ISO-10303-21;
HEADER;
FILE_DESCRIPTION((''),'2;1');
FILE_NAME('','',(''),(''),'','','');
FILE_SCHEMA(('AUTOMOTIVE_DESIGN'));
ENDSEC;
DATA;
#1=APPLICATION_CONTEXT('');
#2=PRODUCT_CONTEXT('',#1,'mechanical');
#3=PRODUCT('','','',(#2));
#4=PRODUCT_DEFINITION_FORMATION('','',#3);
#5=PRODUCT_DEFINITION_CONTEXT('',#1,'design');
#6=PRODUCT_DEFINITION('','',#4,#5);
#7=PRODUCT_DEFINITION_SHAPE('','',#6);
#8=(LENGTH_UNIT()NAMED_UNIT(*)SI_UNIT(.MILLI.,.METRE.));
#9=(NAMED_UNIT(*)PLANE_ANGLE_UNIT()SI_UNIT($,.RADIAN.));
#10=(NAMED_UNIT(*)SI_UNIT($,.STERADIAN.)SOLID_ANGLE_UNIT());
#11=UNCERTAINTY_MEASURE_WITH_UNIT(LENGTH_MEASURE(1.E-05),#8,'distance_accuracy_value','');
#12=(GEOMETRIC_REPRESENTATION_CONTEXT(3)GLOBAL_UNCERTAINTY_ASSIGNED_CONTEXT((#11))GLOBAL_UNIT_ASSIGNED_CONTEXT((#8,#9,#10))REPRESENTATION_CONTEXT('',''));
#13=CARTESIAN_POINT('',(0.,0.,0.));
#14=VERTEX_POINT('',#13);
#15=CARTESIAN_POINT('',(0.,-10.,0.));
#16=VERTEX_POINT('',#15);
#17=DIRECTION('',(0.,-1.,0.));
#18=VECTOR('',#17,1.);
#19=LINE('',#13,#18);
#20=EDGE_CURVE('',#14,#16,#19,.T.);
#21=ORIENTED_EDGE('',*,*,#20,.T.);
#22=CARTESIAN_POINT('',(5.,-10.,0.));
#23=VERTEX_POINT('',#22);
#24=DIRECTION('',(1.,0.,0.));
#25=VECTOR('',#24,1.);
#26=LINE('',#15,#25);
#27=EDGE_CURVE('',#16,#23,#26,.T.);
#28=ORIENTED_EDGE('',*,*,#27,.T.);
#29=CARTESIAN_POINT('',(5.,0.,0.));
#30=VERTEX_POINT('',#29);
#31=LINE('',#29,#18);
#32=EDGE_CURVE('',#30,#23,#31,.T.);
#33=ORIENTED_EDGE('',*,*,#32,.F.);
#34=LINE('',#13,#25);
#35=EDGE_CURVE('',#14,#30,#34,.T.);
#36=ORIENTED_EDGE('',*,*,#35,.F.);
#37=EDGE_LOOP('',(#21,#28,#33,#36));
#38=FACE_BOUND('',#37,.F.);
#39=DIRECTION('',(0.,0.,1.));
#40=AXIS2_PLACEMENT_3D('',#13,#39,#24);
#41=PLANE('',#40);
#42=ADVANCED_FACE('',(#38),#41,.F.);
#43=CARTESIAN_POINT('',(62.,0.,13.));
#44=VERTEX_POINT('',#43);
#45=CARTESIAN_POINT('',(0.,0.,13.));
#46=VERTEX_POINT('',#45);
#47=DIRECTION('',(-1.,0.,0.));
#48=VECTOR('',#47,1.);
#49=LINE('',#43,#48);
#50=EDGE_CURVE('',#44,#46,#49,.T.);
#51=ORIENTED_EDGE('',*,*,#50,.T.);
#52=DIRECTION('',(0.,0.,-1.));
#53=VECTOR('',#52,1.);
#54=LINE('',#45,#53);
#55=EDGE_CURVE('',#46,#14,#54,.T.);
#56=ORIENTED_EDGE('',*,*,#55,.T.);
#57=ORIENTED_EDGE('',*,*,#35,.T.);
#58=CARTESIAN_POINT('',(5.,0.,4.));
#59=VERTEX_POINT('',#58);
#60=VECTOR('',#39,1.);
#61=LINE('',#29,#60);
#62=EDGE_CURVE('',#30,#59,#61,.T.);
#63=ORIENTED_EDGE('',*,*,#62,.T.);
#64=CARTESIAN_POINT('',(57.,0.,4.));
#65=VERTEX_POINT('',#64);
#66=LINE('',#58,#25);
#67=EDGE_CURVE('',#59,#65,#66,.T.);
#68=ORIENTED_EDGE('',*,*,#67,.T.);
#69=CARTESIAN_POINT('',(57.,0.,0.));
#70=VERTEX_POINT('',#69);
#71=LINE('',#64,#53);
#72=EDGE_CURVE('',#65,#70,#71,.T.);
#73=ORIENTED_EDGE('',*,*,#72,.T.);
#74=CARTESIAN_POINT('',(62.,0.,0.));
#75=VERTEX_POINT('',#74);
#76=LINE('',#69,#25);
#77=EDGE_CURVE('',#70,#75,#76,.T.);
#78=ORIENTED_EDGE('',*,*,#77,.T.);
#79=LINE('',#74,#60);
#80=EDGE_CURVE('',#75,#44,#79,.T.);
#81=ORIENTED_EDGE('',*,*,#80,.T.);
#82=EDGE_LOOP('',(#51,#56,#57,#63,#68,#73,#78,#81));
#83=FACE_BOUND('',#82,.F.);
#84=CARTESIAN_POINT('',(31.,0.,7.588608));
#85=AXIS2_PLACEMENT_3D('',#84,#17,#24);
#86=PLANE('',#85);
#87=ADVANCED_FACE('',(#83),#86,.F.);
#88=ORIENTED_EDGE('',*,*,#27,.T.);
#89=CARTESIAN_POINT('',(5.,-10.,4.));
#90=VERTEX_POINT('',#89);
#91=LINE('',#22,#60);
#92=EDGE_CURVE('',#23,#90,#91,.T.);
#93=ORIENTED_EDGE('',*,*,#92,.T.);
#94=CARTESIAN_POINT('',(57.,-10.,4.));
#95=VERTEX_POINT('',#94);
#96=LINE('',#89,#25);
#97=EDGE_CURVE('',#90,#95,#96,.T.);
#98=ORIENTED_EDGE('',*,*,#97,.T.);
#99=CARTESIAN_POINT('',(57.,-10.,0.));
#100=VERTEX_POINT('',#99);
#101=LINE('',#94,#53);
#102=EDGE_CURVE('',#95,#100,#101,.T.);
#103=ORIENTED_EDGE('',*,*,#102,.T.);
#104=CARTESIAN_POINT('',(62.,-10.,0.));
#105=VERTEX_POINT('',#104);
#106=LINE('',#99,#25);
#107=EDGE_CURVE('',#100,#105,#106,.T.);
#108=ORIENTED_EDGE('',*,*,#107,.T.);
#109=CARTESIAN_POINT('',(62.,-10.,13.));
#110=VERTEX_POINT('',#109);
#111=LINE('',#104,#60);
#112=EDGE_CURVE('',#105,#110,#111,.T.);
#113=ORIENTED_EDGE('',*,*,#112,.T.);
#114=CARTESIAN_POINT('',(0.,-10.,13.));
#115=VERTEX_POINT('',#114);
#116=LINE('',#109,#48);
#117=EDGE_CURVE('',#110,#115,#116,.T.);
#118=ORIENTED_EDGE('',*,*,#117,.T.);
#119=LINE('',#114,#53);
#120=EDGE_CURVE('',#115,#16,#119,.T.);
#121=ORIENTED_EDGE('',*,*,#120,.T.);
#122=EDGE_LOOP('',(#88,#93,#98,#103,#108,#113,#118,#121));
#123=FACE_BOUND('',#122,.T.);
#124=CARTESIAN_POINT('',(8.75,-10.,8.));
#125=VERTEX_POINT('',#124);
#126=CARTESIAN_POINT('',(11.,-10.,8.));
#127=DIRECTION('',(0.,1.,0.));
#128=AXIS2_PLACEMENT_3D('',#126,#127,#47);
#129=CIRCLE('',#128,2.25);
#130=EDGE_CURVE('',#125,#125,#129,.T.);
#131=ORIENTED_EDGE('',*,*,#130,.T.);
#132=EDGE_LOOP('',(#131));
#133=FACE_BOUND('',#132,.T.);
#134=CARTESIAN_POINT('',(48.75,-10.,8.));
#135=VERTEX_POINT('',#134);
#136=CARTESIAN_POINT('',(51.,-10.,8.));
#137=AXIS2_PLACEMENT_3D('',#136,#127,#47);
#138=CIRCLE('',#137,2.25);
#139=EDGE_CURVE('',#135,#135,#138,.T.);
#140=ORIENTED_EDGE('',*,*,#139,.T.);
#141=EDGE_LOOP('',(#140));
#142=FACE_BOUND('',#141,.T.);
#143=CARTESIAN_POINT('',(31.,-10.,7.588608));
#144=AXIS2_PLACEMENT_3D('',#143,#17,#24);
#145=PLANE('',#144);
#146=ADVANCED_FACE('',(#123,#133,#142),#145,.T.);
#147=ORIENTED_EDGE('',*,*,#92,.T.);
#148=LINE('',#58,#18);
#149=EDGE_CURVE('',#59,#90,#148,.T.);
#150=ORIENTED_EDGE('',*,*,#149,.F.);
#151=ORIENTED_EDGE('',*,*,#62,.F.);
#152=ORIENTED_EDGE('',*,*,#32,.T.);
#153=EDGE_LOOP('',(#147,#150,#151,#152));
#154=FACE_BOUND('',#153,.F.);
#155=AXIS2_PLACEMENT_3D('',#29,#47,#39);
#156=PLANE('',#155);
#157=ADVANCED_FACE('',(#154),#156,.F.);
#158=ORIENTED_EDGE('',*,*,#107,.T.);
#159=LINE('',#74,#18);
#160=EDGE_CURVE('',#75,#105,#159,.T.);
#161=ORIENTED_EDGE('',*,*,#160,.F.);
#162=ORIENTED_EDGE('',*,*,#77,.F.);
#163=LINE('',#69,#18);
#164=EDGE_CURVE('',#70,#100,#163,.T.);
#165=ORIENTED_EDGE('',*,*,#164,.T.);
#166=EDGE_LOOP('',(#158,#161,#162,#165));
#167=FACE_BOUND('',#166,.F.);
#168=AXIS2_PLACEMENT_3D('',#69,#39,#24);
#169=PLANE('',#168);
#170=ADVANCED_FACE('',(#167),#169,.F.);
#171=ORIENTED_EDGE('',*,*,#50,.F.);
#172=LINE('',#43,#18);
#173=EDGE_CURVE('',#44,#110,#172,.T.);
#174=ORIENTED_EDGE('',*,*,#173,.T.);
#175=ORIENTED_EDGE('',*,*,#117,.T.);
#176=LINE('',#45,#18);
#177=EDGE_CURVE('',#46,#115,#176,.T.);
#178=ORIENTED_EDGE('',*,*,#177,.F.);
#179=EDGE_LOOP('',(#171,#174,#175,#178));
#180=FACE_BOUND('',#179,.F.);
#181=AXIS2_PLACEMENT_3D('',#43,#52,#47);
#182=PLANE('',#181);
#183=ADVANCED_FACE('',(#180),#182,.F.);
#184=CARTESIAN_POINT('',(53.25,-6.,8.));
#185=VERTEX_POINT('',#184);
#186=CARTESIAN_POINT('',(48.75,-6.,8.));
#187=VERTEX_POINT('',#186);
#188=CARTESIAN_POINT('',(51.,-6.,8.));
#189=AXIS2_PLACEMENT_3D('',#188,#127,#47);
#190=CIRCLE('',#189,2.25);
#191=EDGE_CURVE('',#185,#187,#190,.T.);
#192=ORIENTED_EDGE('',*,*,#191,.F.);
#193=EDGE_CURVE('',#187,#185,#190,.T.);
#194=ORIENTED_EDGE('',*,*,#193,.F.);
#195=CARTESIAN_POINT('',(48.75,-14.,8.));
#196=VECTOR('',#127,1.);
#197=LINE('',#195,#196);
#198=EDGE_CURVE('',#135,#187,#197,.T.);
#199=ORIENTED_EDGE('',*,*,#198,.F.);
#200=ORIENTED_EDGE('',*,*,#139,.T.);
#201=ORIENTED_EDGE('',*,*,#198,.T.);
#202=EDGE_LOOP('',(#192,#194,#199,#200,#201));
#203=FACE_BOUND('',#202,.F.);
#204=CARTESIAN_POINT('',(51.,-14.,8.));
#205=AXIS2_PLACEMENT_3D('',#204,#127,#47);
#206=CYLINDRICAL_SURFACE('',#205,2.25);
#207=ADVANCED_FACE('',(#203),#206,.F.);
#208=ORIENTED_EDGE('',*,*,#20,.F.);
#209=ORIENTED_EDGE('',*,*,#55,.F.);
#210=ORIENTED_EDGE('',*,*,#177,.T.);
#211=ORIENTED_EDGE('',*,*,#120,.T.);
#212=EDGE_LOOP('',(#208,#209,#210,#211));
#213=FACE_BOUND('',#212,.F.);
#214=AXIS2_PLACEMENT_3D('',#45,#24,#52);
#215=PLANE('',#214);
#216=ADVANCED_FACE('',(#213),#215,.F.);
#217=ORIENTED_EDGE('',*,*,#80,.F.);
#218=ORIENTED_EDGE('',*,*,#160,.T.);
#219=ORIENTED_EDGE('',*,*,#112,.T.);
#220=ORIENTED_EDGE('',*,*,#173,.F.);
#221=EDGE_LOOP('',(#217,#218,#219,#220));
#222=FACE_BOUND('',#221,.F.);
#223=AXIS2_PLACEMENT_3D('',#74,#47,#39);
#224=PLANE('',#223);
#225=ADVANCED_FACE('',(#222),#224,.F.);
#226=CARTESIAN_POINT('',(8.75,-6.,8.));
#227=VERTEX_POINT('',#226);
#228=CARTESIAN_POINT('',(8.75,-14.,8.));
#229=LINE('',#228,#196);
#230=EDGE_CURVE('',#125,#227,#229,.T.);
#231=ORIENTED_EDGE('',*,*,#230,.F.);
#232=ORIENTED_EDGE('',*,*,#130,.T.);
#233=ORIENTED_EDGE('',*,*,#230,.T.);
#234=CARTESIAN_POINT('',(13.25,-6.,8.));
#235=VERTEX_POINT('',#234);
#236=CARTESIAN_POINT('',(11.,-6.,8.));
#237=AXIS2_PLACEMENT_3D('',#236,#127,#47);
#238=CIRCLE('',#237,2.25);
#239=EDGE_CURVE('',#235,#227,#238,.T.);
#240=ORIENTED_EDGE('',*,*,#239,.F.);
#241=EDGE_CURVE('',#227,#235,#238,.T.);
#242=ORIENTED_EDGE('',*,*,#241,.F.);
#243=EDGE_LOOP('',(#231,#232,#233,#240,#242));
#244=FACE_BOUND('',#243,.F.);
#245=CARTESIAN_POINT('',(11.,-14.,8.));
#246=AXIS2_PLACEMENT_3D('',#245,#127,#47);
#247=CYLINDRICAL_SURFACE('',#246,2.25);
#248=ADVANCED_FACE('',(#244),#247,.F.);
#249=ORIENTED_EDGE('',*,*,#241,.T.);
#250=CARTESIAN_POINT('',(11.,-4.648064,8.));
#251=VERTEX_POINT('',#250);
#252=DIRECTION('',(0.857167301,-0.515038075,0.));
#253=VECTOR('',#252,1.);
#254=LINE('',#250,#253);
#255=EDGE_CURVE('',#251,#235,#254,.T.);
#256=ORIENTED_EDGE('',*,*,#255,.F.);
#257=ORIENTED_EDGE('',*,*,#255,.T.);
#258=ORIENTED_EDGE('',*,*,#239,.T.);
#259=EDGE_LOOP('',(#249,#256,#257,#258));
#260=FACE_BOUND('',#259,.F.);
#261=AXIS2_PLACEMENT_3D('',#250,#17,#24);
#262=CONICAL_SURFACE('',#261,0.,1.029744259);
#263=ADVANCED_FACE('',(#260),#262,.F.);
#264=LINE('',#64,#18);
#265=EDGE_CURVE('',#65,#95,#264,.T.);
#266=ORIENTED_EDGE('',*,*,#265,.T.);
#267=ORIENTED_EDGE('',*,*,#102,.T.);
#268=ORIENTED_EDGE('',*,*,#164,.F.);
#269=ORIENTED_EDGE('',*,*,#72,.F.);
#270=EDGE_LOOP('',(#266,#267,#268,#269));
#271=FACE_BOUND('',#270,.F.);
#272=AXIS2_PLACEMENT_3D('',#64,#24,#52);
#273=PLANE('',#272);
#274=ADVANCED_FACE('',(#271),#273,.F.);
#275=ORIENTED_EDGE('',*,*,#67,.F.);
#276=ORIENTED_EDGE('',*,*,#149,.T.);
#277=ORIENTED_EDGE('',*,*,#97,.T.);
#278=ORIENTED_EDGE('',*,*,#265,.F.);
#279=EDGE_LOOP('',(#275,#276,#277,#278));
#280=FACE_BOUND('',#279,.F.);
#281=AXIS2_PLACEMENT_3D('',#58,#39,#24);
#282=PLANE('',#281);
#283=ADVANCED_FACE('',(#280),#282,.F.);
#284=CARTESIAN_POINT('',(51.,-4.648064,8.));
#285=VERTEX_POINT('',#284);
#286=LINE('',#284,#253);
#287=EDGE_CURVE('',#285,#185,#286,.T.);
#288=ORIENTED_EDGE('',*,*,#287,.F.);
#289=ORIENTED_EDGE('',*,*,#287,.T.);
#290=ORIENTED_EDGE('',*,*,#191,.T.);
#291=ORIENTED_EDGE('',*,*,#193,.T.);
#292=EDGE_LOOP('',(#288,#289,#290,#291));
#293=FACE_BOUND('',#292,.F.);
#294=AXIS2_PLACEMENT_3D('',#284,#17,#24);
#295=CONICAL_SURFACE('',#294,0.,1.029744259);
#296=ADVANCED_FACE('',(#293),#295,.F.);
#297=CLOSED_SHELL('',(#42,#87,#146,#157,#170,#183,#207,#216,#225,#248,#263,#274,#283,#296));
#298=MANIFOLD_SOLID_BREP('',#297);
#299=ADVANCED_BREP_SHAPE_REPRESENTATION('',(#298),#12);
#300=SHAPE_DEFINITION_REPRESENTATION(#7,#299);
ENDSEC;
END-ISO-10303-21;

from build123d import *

# Parameters (mm, degrees)
F1_DEPTH = 10
F3_D     = 4.5
F3_DEPTH = 4
F3_TIP   = 1.3519363928


with BuildPart() as f1:
    # F0 (on Front) → F1 (new body)
    with BuildSketch(Plane.XZ):
        Polygon((0, 13), (0, 0), (5, 0), (5, 4), (57, 4), (57, 0), (62, 0), (62, 13), align=None)
    extrude(amount=F1_DEPTH)

    # F3
    with Locations(Plane.XZ.offset(10)):
        with Locations((11, 8), (51, 8)):
            Hole(F3_D / 2, depth=F3_DEPTH)
            with Locations((0, 0, -(F3_DEPTH + F3_TIP / 2))):  # 118° drill point
                Cone(0, F3_D / 2, F3_TIP, mode=Mode.SUBTRACT)


solid = f1.part
